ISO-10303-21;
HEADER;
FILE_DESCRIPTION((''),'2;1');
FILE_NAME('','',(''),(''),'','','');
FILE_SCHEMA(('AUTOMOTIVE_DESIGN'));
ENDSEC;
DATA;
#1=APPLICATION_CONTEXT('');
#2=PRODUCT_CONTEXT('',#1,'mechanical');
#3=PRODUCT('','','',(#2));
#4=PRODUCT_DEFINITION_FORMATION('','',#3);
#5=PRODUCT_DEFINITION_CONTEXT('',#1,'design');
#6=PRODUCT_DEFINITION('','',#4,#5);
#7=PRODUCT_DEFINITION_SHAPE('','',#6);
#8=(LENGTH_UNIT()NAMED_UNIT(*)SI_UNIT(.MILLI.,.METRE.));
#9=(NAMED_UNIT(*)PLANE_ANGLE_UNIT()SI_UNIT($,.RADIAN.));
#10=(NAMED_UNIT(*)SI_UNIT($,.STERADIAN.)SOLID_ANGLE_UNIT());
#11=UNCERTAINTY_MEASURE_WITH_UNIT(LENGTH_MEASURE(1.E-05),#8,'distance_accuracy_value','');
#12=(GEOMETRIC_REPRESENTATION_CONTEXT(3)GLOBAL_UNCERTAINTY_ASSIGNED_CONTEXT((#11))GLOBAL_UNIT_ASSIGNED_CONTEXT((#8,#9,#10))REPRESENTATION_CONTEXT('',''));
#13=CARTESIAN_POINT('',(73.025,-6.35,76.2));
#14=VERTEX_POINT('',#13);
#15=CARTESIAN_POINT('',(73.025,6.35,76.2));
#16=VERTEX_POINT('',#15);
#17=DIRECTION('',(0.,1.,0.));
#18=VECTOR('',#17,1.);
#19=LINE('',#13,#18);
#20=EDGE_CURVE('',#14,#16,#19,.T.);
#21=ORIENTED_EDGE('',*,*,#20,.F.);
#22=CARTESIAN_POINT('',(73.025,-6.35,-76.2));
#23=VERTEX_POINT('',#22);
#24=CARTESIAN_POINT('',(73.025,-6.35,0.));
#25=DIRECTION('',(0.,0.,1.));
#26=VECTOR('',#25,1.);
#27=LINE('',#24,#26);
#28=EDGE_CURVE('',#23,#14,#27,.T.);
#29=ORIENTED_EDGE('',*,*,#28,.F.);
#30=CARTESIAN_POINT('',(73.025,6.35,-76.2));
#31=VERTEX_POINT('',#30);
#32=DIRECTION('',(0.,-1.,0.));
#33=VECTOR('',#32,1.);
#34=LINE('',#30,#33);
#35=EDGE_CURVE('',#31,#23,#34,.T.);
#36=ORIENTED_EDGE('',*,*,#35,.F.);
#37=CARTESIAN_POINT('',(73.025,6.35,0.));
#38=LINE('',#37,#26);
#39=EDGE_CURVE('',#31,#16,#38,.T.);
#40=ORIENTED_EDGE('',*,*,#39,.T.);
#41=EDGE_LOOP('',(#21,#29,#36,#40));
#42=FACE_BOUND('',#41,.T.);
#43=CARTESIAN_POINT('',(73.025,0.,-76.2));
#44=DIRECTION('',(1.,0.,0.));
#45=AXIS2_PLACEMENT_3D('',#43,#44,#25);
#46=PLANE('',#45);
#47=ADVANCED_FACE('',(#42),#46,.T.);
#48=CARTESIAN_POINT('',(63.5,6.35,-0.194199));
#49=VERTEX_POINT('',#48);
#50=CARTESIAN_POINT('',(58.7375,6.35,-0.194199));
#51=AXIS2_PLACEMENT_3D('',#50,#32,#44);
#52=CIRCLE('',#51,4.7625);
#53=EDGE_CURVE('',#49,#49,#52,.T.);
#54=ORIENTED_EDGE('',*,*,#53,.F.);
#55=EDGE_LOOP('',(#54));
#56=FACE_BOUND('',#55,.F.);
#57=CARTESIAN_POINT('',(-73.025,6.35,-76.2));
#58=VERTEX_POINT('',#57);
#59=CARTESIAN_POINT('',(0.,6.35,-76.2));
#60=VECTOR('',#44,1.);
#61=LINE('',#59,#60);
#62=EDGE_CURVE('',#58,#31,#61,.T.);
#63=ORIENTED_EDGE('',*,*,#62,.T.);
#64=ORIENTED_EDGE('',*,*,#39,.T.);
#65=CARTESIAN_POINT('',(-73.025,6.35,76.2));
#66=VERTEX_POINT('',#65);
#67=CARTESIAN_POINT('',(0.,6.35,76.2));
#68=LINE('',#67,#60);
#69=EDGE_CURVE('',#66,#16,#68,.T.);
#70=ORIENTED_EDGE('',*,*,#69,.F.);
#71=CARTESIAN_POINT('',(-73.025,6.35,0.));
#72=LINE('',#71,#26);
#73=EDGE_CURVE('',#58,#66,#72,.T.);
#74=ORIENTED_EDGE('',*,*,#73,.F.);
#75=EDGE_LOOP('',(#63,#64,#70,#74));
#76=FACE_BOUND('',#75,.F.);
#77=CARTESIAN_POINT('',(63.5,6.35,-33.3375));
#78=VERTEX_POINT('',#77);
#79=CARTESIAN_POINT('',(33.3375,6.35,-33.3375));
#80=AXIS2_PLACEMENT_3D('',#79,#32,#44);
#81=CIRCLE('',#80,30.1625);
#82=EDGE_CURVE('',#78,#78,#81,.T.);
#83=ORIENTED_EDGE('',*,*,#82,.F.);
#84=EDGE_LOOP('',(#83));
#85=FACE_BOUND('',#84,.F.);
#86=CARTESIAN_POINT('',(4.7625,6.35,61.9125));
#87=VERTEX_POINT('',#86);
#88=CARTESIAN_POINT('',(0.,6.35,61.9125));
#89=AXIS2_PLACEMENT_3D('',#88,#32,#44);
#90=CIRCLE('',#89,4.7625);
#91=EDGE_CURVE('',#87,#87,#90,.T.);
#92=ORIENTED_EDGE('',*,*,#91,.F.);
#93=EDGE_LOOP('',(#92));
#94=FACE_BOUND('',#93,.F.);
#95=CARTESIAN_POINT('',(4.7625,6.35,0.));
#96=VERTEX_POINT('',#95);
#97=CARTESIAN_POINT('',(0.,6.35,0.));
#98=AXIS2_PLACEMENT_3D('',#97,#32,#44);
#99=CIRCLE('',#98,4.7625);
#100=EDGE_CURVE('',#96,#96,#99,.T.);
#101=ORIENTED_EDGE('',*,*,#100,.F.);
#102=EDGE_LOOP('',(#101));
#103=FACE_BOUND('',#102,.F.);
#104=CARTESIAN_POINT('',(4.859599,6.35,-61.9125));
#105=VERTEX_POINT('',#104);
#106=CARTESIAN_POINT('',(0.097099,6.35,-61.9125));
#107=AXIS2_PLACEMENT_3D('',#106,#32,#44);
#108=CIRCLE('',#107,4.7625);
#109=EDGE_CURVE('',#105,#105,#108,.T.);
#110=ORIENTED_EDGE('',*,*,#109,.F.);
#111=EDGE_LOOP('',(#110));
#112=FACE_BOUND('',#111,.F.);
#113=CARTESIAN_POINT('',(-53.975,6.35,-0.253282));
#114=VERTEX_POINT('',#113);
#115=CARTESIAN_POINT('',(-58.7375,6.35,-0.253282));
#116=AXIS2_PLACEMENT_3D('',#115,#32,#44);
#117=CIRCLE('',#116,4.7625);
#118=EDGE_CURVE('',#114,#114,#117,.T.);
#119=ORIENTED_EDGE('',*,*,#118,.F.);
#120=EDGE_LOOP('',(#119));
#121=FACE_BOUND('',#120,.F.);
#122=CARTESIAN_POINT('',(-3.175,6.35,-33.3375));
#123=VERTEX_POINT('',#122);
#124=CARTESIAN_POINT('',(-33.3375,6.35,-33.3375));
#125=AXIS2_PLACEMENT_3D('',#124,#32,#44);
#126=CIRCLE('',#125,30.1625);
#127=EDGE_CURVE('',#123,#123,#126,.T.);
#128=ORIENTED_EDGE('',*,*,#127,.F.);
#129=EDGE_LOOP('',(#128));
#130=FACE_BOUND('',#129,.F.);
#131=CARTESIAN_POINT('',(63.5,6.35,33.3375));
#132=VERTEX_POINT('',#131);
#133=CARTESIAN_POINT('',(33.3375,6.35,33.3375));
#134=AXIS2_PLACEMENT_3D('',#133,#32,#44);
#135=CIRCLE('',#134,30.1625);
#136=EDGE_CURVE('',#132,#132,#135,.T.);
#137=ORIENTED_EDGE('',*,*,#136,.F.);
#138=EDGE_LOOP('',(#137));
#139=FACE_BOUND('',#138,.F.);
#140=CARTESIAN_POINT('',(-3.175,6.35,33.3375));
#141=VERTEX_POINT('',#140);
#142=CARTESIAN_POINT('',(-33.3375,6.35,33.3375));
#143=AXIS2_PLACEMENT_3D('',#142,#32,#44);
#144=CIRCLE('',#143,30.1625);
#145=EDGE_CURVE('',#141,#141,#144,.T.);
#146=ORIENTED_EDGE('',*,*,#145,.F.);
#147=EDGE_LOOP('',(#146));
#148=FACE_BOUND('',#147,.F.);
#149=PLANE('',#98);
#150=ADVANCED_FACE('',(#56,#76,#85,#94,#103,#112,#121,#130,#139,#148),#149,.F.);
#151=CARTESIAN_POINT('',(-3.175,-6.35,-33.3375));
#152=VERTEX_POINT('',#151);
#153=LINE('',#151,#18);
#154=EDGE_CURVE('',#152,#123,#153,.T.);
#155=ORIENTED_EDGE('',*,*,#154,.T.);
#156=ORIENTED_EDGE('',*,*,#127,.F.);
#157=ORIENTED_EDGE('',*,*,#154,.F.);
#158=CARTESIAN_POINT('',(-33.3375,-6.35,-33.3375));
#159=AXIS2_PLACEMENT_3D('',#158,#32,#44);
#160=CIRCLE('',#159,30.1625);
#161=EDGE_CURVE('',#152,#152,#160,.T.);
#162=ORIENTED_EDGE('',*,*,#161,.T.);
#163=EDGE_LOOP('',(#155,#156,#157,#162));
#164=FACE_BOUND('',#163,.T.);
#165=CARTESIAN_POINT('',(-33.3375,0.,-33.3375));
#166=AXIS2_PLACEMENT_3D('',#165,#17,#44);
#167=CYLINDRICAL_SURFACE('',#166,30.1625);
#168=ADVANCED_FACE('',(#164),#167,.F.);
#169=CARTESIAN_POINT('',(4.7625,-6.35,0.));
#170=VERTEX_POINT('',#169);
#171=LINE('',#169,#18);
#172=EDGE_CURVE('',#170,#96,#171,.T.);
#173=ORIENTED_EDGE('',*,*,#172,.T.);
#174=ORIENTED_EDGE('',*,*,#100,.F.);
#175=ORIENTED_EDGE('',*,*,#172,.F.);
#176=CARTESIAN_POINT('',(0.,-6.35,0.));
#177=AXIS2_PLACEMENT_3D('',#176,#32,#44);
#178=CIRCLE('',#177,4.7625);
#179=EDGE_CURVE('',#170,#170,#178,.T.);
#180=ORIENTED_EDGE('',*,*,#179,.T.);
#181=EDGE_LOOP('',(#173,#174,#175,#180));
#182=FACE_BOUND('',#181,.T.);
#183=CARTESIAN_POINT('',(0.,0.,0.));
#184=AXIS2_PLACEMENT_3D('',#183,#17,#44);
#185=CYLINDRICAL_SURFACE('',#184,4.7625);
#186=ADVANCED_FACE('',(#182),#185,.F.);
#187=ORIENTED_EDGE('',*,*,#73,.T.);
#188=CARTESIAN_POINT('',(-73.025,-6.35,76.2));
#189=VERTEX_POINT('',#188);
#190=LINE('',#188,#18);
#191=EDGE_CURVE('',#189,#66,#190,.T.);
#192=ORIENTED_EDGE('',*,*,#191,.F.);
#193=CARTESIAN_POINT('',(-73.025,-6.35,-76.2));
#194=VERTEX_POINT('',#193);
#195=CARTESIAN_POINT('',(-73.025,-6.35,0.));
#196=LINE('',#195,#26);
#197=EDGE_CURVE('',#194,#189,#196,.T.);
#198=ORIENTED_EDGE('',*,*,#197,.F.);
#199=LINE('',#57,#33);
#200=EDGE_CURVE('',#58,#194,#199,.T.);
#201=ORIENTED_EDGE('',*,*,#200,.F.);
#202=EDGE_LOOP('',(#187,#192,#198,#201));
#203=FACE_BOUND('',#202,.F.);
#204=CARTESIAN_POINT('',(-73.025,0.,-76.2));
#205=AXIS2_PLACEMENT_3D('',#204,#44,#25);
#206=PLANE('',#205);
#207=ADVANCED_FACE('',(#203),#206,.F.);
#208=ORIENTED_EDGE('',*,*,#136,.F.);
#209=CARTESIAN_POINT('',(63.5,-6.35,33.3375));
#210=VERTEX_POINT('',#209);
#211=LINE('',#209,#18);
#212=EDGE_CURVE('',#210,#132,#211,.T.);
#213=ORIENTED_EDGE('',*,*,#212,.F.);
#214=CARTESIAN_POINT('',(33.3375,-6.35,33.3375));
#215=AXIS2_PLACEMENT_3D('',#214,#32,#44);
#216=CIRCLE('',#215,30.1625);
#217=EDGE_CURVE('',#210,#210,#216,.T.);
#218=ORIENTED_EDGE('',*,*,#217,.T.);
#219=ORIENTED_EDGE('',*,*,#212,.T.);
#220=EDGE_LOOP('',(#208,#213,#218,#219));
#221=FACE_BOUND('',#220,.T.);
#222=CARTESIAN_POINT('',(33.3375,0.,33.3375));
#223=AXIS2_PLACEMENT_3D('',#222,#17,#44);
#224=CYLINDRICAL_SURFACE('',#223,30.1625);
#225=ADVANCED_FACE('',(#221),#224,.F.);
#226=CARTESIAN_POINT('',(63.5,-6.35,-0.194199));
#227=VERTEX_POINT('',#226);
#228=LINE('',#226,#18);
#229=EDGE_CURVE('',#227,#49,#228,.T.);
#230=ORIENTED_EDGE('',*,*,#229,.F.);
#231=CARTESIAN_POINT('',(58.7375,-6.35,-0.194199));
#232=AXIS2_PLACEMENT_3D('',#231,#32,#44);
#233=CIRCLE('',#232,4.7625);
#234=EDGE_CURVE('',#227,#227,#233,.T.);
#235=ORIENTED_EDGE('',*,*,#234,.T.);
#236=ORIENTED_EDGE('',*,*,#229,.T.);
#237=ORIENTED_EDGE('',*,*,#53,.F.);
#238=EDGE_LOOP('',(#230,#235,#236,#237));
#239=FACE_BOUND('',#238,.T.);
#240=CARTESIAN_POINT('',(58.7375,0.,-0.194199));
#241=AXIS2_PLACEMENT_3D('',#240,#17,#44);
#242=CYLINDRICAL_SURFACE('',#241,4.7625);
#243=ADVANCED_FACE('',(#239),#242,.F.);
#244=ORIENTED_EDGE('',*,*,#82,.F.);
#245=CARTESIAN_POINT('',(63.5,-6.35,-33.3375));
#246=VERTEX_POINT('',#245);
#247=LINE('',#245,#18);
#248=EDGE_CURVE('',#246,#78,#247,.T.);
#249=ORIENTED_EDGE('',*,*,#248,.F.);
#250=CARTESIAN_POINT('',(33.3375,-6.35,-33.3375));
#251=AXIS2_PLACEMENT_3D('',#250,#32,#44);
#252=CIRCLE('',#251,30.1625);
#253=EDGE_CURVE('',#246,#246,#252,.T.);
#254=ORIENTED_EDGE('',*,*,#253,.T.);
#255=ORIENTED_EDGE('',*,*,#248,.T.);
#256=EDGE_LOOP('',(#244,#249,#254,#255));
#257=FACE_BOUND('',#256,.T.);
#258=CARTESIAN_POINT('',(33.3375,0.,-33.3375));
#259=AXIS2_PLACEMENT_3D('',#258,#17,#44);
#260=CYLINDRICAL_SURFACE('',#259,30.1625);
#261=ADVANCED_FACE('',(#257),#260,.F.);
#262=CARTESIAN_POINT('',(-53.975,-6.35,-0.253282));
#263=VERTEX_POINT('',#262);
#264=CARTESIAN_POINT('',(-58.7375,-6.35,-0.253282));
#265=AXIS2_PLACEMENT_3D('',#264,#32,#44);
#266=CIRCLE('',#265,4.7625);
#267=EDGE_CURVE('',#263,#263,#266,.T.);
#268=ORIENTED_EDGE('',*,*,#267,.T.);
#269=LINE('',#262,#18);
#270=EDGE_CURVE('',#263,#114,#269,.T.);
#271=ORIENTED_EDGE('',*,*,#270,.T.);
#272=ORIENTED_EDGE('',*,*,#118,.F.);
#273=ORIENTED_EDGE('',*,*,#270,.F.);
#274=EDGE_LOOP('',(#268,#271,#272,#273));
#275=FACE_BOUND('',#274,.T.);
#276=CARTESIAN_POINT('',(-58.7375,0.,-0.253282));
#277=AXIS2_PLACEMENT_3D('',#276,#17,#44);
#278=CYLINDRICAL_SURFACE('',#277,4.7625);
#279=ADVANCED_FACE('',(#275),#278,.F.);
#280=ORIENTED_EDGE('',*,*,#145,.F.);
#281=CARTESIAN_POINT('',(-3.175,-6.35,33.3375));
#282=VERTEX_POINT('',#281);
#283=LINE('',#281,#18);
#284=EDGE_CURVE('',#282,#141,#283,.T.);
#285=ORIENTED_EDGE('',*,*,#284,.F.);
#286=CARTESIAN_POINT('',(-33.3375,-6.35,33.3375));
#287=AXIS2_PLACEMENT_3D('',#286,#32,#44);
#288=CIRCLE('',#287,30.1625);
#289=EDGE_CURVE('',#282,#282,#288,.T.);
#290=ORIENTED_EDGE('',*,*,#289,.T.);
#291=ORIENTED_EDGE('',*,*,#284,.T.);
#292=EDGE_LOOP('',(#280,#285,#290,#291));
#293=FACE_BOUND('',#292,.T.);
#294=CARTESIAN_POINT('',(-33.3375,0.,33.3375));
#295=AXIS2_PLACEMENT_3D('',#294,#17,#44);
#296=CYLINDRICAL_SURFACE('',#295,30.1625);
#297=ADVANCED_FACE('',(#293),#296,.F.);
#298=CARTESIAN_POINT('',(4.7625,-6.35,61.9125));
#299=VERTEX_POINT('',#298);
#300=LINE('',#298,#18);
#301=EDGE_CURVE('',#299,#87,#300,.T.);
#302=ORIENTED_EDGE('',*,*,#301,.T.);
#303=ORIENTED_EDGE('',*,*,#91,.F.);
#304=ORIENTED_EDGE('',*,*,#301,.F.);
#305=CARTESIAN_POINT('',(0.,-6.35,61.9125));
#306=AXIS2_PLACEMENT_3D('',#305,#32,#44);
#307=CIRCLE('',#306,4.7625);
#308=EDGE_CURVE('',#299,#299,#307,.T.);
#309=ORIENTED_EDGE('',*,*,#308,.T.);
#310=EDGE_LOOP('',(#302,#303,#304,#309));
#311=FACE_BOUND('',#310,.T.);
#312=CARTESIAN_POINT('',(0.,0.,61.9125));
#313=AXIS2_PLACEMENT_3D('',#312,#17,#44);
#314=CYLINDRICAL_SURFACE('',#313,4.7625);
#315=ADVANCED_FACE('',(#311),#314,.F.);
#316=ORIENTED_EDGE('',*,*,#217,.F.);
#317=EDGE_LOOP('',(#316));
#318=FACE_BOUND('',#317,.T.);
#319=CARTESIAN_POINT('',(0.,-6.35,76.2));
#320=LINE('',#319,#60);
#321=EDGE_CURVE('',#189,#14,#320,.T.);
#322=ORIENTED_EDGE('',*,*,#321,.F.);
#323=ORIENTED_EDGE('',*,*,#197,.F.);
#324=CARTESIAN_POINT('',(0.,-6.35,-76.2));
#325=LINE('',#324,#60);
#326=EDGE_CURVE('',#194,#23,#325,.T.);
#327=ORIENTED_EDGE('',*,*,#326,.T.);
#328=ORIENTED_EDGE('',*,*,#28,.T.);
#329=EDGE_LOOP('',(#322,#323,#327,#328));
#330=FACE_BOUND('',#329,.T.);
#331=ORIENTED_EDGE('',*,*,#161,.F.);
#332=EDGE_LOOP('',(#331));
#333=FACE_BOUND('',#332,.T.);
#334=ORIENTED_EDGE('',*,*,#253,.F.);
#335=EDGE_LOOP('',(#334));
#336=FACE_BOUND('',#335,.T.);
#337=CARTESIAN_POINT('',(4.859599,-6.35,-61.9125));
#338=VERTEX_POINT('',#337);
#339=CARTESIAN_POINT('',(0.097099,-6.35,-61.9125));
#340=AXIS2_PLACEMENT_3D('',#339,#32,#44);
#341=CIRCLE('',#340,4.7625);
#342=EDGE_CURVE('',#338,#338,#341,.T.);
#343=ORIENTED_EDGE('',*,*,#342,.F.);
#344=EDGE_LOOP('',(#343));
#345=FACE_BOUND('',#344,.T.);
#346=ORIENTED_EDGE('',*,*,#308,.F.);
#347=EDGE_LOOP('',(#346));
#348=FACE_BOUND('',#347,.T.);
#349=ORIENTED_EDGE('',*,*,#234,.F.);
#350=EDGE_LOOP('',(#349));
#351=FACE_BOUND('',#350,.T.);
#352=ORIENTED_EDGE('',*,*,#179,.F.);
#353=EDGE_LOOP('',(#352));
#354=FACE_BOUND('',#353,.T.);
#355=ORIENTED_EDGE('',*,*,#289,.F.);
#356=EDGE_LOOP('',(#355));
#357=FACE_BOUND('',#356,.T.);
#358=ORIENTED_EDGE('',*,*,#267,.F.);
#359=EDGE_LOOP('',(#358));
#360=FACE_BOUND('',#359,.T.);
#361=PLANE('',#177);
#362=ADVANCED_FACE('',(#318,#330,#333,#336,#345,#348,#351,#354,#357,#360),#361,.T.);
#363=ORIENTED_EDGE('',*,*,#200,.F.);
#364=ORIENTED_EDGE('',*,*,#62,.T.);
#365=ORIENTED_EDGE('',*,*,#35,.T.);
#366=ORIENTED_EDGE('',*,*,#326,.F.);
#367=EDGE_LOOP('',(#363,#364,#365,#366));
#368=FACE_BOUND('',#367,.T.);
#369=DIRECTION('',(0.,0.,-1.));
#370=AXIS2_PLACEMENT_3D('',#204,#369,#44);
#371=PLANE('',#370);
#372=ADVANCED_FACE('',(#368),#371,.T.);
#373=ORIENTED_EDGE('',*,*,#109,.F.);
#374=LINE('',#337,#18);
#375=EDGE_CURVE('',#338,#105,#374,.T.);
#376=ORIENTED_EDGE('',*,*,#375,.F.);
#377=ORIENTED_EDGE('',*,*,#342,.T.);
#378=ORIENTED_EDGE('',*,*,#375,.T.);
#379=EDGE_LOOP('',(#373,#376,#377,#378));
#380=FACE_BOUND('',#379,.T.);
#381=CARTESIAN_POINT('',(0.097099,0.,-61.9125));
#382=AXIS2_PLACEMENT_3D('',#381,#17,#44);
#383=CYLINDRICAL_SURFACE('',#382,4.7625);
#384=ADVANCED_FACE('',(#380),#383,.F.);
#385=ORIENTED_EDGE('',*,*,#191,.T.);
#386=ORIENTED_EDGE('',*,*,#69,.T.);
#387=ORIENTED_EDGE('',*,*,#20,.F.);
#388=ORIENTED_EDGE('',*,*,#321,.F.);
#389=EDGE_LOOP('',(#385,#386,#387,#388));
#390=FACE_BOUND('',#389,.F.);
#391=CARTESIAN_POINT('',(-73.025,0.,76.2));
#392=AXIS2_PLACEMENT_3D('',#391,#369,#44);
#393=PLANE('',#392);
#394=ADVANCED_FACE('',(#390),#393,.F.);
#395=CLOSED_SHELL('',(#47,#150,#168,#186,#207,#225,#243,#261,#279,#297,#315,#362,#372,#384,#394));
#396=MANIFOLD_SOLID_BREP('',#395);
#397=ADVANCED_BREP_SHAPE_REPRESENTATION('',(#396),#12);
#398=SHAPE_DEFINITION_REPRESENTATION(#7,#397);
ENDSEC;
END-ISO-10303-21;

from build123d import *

# Parameters (mm, degrees)
F0_W     = 146.05
F0_H     = 152.4
F0_R     = 4.7625
F0_R_2   = 30.1625
F1_DEPTH = 6.35


with BuildPart() as f1:
    # F0 (on Front) → F1 (new body, symmetric)
    with BuildSketch(Plane.XZ):
        Rectangle(F0_W, F0_H)
        with Locations((-58.7375, -0.253282)):
            Circle(F0_R, mode=Mode.SUBTRACT)
        with Locations((-33.3375, -33.3375)):
            Circle(F0_R_2, mode=Mode.SUBTRACT)
        with Locations((0.097099, -61.9125)):
            Circle(F0_R, mode=Mode.SUBTRACT)
        with Locations((33.3375, -33.3375)):
            Circle(F0_R_2, mode=Mode.SUBTRACT)
        with Locations((58.7375, -0.194199)):
            Circle(F0_R, mode=Mode.SUBTRACT)
        with Locations((-33.3375, 33.3375)):
            Circle(F0_R_2, mode=Mode.SUBTRACT)
        Circle(F0_R, mode=Mode.SUBTRACT)
        with Locations((33.3375, 33.3375)):
            Circle(F0_R_2, mode=Mode.SUBTRACT)
        with Locations((0, 61.9125)):
            Circle(F0_R, mode=Mode.SUBTRACT)
    extrude(amount=F1_DEPTH, both=True)


solid = f1.part
